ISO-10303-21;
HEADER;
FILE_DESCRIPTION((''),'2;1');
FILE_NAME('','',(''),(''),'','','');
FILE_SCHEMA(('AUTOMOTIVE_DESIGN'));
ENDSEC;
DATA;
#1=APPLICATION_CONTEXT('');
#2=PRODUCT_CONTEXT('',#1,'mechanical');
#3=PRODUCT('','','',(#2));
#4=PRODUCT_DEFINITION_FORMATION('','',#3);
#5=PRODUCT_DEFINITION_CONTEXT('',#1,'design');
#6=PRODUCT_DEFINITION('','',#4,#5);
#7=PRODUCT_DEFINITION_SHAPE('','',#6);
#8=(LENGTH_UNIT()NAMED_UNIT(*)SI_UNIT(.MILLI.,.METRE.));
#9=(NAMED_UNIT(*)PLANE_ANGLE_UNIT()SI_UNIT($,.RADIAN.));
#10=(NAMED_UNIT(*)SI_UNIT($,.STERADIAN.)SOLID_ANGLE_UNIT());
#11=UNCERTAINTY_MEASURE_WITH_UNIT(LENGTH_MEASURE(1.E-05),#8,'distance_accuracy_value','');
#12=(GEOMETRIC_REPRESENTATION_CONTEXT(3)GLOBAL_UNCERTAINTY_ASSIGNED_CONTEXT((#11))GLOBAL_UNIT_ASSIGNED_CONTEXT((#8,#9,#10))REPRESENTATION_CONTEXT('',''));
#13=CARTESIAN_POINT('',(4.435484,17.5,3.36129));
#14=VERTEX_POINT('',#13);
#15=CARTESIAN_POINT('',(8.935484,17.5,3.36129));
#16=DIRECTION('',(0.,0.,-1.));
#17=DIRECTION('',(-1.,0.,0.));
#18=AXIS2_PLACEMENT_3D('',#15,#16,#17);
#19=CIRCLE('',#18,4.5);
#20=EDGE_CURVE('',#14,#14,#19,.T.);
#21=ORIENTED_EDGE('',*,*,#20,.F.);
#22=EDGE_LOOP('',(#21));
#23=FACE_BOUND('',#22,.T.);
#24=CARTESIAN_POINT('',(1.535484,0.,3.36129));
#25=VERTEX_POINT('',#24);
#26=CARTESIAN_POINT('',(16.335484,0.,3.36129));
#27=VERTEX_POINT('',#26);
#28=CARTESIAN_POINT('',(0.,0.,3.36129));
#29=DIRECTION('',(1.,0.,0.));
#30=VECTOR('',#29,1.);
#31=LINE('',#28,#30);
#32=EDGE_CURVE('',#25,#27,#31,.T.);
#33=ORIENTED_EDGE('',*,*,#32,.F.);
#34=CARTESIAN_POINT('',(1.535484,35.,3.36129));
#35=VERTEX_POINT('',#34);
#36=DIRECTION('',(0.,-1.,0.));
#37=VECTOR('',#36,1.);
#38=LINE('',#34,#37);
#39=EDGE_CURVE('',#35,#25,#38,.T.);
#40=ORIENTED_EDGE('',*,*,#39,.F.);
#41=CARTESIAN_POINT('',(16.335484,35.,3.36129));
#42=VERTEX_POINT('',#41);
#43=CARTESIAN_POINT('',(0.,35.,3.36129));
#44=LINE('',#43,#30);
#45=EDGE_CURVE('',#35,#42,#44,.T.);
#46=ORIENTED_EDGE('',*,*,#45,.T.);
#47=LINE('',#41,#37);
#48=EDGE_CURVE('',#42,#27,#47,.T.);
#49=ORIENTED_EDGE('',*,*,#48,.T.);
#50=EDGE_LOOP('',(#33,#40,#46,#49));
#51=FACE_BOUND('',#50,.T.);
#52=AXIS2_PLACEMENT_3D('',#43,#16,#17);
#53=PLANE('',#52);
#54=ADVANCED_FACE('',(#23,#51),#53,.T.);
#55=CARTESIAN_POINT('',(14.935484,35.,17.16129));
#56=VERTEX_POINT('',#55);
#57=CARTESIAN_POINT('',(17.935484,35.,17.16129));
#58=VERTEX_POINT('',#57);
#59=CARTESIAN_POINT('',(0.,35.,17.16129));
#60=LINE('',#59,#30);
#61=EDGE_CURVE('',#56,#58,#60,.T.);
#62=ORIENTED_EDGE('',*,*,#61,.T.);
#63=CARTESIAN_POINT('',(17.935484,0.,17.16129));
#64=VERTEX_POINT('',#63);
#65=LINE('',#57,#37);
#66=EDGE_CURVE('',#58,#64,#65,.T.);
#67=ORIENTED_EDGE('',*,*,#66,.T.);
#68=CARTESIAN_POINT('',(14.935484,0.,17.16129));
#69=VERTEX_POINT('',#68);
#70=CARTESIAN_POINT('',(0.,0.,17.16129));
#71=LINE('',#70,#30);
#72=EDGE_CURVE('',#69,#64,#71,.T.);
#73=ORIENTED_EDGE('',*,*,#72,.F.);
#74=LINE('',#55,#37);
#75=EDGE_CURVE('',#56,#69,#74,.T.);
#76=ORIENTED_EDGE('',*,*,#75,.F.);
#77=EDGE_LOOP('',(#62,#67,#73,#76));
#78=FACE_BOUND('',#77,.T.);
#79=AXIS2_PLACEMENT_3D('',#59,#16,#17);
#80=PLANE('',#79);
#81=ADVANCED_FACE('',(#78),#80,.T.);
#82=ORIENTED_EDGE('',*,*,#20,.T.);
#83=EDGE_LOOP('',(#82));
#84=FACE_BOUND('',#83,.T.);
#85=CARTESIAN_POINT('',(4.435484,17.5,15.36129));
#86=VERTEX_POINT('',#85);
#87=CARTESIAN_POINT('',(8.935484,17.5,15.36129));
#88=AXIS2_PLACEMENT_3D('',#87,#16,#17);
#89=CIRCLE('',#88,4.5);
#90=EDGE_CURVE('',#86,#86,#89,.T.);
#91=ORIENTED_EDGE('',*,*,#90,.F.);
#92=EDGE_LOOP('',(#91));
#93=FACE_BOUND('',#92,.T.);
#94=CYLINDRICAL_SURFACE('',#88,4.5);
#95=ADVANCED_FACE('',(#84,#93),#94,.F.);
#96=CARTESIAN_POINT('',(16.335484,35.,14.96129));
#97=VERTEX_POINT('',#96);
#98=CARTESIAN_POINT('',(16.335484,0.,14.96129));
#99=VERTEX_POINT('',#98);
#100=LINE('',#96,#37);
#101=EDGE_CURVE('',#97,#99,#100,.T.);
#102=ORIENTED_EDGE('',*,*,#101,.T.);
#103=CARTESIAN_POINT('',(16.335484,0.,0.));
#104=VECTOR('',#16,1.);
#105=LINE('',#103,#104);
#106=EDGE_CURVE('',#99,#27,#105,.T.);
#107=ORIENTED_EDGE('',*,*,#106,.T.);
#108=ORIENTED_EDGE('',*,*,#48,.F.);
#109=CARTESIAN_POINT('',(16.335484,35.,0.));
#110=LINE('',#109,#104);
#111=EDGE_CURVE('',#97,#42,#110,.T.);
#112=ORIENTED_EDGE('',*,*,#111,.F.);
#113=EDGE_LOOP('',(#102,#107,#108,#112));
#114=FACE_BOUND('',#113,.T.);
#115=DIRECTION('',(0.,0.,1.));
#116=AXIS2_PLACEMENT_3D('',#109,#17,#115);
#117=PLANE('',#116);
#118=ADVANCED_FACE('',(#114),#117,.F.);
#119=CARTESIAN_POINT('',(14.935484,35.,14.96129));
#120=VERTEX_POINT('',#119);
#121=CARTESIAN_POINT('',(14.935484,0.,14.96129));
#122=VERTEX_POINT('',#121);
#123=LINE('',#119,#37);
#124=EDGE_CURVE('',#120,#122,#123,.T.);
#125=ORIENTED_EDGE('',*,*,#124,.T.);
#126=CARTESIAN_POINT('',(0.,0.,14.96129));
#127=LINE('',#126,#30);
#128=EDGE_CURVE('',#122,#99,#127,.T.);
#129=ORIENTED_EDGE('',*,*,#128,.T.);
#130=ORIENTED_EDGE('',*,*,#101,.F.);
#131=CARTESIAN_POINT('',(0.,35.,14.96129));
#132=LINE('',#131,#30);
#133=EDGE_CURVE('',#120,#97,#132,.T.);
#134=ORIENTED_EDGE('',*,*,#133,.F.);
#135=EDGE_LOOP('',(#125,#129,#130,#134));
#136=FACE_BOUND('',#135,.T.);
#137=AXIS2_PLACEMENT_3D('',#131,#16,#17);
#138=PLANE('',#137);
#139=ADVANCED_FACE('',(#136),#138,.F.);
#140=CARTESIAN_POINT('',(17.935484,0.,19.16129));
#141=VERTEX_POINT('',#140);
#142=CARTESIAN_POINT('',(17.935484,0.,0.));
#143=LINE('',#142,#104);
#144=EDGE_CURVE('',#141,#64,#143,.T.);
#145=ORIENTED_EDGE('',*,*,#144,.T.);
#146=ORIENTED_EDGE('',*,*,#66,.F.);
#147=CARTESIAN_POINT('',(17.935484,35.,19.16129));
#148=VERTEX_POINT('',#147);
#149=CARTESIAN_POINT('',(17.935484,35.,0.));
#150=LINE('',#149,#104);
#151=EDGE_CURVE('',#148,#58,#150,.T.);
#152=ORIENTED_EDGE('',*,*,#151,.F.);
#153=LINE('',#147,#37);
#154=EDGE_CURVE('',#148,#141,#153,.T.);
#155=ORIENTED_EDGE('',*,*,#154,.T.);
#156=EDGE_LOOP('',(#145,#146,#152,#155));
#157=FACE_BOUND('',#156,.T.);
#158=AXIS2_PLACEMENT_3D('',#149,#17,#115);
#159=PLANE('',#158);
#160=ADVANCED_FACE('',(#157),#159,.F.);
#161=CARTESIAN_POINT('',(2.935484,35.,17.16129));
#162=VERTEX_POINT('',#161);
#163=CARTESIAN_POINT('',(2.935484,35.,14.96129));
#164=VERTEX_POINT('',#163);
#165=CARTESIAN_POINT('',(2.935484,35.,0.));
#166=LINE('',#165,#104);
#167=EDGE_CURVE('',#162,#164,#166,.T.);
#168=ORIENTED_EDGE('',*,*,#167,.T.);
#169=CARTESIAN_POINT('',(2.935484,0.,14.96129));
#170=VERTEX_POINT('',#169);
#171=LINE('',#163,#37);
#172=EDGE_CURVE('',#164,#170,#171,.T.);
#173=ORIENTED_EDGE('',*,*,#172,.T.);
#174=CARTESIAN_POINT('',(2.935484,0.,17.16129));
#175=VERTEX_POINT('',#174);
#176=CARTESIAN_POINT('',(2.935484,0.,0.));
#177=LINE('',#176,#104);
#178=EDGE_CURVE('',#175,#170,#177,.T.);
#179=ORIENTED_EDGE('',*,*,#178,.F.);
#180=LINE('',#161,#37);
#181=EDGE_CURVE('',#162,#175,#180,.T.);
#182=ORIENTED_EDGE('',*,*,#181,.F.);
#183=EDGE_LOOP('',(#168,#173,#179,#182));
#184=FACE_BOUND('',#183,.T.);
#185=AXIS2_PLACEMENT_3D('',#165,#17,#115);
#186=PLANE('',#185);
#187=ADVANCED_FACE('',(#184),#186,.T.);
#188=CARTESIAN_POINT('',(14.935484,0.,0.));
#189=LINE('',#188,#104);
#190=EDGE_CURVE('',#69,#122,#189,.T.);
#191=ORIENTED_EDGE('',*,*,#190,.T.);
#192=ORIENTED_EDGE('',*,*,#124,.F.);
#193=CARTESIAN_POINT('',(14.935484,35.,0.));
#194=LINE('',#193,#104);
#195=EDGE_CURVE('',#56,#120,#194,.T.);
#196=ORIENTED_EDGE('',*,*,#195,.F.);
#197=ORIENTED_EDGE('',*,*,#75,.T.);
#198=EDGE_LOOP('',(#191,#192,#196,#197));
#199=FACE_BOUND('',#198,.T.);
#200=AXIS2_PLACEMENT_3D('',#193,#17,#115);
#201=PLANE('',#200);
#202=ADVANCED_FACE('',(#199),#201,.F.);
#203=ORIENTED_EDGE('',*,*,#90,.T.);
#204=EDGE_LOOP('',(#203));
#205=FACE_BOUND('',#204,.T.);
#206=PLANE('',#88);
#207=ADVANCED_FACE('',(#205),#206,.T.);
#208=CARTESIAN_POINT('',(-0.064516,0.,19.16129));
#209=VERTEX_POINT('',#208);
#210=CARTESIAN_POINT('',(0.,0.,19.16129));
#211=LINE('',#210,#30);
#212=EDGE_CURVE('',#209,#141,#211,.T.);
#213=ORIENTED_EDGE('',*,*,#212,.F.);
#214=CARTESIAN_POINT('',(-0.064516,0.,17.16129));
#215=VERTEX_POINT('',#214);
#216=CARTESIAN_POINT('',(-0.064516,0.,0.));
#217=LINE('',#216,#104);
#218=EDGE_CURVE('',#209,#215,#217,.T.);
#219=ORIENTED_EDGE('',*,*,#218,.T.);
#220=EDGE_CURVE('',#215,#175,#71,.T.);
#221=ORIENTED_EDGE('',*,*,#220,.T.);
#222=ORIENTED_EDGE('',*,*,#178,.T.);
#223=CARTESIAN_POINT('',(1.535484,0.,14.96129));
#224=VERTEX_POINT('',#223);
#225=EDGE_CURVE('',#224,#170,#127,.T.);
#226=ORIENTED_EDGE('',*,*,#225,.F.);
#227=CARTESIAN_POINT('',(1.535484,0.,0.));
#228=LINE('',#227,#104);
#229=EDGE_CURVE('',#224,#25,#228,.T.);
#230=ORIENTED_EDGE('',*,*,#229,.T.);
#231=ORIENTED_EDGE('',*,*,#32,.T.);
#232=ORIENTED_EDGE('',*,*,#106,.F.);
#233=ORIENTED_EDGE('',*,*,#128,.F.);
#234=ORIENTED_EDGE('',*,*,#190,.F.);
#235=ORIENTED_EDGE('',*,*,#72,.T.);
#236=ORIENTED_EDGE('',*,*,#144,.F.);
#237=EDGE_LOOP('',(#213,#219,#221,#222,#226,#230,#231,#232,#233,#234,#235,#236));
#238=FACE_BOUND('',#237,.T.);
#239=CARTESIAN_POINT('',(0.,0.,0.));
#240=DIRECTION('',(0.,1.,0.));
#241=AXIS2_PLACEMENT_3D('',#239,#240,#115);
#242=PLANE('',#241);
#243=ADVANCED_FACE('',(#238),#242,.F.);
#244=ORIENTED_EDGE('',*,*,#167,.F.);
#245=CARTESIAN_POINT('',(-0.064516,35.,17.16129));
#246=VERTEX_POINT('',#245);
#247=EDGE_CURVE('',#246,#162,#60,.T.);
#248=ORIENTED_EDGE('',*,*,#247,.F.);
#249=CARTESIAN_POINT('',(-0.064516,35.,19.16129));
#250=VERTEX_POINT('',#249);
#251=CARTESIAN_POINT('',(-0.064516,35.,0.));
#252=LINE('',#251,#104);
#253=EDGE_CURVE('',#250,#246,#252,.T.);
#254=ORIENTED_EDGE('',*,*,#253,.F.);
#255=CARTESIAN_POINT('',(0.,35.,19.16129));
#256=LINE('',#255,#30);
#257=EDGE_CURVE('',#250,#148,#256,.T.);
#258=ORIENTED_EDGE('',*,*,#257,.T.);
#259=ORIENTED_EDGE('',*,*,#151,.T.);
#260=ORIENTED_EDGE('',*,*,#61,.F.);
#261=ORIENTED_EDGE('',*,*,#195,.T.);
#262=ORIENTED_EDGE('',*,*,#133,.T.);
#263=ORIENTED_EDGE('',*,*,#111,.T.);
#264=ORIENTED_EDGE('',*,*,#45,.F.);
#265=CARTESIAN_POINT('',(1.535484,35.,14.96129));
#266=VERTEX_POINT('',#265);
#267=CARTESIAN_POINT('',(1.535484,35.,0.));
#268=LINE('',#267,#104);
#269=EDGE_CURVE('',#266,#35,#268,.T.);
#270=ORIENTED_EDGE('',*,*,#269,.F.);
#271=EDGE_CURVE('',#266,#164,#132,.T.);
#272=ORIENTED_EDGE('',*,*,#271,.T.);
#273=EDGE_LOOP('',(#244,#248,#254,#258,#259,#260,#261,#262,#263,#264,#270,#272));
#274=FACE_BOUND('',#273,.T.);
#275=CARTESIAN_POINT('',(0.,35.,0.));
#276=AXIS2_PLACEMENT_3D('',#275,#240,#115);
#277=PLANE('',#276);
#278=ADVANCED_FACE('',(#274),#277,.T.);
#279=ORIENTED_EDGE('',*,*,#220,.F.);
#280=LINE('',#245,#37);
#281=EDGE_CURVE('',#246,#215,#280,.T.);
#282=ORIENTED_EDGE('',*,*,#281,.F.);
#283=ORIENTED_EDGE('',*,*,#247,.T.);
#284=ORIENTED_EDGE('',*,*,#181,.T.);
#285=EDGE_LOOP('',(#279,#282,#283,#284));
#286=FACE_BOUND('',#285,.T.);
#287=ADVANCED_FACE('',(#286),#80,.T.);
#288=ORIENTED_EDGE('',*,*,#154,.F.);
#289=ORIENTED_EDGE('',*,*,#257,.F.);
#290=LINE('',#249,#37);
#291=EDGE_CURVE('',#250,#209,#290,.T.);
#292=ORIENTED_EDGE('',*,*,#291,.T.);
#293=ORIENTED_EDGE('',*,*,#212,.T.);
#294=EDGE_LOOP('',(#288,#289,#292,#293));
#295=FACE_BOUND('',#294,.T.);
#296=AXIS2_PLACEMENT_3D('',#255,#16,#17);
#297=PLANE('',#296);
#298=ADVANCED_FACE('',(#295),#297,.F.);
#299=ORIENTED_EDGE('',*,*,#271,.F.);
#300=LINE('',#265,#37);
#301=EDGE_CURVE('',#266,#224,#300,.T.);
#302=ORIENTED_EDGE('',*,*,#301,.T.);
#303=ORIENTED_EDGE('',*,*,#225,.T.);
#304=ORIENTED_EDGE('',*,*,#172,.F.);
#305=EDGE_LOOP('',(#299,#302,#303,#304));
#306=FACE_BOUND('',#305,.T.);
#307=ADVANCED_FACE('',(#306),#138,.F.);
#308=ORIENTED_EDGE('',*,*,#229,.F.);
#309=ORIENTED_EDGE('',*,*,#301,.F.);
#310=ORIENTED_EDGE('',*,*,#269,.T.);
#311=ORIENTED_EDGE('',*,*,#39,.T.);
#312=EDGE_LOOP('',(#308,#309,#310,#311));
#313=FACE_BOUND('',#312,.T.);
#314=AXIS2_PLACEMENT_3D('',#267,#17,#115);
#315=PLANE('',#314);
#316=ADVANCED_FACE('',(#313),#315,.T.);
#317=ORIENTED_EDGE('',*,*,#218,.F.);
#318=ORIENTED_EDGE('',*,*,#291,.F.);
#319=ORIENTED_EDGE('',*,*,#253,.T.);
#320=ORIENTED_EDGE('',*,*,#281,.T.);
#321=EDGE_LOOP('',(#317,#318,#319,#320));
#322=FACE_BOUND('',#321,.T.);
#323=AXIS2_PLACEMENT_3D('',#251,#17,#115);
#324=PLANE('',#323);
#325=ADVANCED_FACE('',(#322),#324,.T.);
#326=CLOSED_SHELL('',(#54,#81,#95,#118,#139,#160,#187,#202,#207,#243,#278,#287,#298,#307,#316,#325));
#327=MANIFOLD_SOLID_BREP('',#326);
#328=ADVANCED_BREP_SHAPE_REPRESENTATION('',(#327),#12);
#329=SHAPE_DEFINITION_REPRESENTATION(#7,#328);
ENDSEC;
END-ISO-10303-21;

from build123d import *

# Parameters (mm, degrees)
SKETCH1_W           = 6
SKETCH1_H           = 2.2
BOSS_EXTRUDE1_DEPTH = 35
SKETCH2_R           = 4.5
CUT_EXTRUDE1_DEPTH  = 12


with BuildPart() as part:
    # Sketch1 → Boss-Extrude1 (new body)
    with BuildSketch(Plane(origin=(0, 0, 0), x_dir=(1, 0, 0), z_dir=(0, 1, 0))):
        Polygon((1.535483871, -3.361290323), (1.535483871, -14.961290323), (2.935483871, -14.961290323), (8.935483871, -14.961290323), (8.935483871, -3.361290323), align=None)
        Polygon((16.335483871, -3.361290323), (8.935483871, -3.361290323), (8.935483871, -14.961290323), (14.935483871, -14.961290323), (16.335483871, -14.961290323), align=None)
        with Locations((11.935483871, -16.061290323)):
            Rectangle(SKETCH1_W, SKETCH1_H)
        with Locations((5.935483871, -16.061290323)):
            Rectangle(SKETCH1_W, SKETCH1_H)
        Polygon((8.935483871, -17.161290323), (2.935483871, -17.161290323), (-0.064516129, -17.161290323), (-0.064516129, -19.161290323), (8.935483871, -19.161290323), align=None)
        Polygon((14.935483871, -17.161290323), (8.935483871, -17.161290323), (8.935483871, -19.161290323), (17.935483871, -19.161290323), (17.935483871, -17.161290323), align=None)
    extrude(amount=BOSS_EXTRUDE1_DEPTH)

    # Sketch2 → Cut-Extrude1 (cut)
    with BuildSketch(Plane(origin=(0, 0, 3.361290323), x_dir=(-1, 0, 0), z_dir=(0, 0, -1))):
        with Locations((-8.935483871, 17.5)):
            Circle(SKETCH2_R)
    extrude(amount=-CUT_EXTRUDE1_DEPTH, mode=Mode.SUBTRACT)


solid = part.part
